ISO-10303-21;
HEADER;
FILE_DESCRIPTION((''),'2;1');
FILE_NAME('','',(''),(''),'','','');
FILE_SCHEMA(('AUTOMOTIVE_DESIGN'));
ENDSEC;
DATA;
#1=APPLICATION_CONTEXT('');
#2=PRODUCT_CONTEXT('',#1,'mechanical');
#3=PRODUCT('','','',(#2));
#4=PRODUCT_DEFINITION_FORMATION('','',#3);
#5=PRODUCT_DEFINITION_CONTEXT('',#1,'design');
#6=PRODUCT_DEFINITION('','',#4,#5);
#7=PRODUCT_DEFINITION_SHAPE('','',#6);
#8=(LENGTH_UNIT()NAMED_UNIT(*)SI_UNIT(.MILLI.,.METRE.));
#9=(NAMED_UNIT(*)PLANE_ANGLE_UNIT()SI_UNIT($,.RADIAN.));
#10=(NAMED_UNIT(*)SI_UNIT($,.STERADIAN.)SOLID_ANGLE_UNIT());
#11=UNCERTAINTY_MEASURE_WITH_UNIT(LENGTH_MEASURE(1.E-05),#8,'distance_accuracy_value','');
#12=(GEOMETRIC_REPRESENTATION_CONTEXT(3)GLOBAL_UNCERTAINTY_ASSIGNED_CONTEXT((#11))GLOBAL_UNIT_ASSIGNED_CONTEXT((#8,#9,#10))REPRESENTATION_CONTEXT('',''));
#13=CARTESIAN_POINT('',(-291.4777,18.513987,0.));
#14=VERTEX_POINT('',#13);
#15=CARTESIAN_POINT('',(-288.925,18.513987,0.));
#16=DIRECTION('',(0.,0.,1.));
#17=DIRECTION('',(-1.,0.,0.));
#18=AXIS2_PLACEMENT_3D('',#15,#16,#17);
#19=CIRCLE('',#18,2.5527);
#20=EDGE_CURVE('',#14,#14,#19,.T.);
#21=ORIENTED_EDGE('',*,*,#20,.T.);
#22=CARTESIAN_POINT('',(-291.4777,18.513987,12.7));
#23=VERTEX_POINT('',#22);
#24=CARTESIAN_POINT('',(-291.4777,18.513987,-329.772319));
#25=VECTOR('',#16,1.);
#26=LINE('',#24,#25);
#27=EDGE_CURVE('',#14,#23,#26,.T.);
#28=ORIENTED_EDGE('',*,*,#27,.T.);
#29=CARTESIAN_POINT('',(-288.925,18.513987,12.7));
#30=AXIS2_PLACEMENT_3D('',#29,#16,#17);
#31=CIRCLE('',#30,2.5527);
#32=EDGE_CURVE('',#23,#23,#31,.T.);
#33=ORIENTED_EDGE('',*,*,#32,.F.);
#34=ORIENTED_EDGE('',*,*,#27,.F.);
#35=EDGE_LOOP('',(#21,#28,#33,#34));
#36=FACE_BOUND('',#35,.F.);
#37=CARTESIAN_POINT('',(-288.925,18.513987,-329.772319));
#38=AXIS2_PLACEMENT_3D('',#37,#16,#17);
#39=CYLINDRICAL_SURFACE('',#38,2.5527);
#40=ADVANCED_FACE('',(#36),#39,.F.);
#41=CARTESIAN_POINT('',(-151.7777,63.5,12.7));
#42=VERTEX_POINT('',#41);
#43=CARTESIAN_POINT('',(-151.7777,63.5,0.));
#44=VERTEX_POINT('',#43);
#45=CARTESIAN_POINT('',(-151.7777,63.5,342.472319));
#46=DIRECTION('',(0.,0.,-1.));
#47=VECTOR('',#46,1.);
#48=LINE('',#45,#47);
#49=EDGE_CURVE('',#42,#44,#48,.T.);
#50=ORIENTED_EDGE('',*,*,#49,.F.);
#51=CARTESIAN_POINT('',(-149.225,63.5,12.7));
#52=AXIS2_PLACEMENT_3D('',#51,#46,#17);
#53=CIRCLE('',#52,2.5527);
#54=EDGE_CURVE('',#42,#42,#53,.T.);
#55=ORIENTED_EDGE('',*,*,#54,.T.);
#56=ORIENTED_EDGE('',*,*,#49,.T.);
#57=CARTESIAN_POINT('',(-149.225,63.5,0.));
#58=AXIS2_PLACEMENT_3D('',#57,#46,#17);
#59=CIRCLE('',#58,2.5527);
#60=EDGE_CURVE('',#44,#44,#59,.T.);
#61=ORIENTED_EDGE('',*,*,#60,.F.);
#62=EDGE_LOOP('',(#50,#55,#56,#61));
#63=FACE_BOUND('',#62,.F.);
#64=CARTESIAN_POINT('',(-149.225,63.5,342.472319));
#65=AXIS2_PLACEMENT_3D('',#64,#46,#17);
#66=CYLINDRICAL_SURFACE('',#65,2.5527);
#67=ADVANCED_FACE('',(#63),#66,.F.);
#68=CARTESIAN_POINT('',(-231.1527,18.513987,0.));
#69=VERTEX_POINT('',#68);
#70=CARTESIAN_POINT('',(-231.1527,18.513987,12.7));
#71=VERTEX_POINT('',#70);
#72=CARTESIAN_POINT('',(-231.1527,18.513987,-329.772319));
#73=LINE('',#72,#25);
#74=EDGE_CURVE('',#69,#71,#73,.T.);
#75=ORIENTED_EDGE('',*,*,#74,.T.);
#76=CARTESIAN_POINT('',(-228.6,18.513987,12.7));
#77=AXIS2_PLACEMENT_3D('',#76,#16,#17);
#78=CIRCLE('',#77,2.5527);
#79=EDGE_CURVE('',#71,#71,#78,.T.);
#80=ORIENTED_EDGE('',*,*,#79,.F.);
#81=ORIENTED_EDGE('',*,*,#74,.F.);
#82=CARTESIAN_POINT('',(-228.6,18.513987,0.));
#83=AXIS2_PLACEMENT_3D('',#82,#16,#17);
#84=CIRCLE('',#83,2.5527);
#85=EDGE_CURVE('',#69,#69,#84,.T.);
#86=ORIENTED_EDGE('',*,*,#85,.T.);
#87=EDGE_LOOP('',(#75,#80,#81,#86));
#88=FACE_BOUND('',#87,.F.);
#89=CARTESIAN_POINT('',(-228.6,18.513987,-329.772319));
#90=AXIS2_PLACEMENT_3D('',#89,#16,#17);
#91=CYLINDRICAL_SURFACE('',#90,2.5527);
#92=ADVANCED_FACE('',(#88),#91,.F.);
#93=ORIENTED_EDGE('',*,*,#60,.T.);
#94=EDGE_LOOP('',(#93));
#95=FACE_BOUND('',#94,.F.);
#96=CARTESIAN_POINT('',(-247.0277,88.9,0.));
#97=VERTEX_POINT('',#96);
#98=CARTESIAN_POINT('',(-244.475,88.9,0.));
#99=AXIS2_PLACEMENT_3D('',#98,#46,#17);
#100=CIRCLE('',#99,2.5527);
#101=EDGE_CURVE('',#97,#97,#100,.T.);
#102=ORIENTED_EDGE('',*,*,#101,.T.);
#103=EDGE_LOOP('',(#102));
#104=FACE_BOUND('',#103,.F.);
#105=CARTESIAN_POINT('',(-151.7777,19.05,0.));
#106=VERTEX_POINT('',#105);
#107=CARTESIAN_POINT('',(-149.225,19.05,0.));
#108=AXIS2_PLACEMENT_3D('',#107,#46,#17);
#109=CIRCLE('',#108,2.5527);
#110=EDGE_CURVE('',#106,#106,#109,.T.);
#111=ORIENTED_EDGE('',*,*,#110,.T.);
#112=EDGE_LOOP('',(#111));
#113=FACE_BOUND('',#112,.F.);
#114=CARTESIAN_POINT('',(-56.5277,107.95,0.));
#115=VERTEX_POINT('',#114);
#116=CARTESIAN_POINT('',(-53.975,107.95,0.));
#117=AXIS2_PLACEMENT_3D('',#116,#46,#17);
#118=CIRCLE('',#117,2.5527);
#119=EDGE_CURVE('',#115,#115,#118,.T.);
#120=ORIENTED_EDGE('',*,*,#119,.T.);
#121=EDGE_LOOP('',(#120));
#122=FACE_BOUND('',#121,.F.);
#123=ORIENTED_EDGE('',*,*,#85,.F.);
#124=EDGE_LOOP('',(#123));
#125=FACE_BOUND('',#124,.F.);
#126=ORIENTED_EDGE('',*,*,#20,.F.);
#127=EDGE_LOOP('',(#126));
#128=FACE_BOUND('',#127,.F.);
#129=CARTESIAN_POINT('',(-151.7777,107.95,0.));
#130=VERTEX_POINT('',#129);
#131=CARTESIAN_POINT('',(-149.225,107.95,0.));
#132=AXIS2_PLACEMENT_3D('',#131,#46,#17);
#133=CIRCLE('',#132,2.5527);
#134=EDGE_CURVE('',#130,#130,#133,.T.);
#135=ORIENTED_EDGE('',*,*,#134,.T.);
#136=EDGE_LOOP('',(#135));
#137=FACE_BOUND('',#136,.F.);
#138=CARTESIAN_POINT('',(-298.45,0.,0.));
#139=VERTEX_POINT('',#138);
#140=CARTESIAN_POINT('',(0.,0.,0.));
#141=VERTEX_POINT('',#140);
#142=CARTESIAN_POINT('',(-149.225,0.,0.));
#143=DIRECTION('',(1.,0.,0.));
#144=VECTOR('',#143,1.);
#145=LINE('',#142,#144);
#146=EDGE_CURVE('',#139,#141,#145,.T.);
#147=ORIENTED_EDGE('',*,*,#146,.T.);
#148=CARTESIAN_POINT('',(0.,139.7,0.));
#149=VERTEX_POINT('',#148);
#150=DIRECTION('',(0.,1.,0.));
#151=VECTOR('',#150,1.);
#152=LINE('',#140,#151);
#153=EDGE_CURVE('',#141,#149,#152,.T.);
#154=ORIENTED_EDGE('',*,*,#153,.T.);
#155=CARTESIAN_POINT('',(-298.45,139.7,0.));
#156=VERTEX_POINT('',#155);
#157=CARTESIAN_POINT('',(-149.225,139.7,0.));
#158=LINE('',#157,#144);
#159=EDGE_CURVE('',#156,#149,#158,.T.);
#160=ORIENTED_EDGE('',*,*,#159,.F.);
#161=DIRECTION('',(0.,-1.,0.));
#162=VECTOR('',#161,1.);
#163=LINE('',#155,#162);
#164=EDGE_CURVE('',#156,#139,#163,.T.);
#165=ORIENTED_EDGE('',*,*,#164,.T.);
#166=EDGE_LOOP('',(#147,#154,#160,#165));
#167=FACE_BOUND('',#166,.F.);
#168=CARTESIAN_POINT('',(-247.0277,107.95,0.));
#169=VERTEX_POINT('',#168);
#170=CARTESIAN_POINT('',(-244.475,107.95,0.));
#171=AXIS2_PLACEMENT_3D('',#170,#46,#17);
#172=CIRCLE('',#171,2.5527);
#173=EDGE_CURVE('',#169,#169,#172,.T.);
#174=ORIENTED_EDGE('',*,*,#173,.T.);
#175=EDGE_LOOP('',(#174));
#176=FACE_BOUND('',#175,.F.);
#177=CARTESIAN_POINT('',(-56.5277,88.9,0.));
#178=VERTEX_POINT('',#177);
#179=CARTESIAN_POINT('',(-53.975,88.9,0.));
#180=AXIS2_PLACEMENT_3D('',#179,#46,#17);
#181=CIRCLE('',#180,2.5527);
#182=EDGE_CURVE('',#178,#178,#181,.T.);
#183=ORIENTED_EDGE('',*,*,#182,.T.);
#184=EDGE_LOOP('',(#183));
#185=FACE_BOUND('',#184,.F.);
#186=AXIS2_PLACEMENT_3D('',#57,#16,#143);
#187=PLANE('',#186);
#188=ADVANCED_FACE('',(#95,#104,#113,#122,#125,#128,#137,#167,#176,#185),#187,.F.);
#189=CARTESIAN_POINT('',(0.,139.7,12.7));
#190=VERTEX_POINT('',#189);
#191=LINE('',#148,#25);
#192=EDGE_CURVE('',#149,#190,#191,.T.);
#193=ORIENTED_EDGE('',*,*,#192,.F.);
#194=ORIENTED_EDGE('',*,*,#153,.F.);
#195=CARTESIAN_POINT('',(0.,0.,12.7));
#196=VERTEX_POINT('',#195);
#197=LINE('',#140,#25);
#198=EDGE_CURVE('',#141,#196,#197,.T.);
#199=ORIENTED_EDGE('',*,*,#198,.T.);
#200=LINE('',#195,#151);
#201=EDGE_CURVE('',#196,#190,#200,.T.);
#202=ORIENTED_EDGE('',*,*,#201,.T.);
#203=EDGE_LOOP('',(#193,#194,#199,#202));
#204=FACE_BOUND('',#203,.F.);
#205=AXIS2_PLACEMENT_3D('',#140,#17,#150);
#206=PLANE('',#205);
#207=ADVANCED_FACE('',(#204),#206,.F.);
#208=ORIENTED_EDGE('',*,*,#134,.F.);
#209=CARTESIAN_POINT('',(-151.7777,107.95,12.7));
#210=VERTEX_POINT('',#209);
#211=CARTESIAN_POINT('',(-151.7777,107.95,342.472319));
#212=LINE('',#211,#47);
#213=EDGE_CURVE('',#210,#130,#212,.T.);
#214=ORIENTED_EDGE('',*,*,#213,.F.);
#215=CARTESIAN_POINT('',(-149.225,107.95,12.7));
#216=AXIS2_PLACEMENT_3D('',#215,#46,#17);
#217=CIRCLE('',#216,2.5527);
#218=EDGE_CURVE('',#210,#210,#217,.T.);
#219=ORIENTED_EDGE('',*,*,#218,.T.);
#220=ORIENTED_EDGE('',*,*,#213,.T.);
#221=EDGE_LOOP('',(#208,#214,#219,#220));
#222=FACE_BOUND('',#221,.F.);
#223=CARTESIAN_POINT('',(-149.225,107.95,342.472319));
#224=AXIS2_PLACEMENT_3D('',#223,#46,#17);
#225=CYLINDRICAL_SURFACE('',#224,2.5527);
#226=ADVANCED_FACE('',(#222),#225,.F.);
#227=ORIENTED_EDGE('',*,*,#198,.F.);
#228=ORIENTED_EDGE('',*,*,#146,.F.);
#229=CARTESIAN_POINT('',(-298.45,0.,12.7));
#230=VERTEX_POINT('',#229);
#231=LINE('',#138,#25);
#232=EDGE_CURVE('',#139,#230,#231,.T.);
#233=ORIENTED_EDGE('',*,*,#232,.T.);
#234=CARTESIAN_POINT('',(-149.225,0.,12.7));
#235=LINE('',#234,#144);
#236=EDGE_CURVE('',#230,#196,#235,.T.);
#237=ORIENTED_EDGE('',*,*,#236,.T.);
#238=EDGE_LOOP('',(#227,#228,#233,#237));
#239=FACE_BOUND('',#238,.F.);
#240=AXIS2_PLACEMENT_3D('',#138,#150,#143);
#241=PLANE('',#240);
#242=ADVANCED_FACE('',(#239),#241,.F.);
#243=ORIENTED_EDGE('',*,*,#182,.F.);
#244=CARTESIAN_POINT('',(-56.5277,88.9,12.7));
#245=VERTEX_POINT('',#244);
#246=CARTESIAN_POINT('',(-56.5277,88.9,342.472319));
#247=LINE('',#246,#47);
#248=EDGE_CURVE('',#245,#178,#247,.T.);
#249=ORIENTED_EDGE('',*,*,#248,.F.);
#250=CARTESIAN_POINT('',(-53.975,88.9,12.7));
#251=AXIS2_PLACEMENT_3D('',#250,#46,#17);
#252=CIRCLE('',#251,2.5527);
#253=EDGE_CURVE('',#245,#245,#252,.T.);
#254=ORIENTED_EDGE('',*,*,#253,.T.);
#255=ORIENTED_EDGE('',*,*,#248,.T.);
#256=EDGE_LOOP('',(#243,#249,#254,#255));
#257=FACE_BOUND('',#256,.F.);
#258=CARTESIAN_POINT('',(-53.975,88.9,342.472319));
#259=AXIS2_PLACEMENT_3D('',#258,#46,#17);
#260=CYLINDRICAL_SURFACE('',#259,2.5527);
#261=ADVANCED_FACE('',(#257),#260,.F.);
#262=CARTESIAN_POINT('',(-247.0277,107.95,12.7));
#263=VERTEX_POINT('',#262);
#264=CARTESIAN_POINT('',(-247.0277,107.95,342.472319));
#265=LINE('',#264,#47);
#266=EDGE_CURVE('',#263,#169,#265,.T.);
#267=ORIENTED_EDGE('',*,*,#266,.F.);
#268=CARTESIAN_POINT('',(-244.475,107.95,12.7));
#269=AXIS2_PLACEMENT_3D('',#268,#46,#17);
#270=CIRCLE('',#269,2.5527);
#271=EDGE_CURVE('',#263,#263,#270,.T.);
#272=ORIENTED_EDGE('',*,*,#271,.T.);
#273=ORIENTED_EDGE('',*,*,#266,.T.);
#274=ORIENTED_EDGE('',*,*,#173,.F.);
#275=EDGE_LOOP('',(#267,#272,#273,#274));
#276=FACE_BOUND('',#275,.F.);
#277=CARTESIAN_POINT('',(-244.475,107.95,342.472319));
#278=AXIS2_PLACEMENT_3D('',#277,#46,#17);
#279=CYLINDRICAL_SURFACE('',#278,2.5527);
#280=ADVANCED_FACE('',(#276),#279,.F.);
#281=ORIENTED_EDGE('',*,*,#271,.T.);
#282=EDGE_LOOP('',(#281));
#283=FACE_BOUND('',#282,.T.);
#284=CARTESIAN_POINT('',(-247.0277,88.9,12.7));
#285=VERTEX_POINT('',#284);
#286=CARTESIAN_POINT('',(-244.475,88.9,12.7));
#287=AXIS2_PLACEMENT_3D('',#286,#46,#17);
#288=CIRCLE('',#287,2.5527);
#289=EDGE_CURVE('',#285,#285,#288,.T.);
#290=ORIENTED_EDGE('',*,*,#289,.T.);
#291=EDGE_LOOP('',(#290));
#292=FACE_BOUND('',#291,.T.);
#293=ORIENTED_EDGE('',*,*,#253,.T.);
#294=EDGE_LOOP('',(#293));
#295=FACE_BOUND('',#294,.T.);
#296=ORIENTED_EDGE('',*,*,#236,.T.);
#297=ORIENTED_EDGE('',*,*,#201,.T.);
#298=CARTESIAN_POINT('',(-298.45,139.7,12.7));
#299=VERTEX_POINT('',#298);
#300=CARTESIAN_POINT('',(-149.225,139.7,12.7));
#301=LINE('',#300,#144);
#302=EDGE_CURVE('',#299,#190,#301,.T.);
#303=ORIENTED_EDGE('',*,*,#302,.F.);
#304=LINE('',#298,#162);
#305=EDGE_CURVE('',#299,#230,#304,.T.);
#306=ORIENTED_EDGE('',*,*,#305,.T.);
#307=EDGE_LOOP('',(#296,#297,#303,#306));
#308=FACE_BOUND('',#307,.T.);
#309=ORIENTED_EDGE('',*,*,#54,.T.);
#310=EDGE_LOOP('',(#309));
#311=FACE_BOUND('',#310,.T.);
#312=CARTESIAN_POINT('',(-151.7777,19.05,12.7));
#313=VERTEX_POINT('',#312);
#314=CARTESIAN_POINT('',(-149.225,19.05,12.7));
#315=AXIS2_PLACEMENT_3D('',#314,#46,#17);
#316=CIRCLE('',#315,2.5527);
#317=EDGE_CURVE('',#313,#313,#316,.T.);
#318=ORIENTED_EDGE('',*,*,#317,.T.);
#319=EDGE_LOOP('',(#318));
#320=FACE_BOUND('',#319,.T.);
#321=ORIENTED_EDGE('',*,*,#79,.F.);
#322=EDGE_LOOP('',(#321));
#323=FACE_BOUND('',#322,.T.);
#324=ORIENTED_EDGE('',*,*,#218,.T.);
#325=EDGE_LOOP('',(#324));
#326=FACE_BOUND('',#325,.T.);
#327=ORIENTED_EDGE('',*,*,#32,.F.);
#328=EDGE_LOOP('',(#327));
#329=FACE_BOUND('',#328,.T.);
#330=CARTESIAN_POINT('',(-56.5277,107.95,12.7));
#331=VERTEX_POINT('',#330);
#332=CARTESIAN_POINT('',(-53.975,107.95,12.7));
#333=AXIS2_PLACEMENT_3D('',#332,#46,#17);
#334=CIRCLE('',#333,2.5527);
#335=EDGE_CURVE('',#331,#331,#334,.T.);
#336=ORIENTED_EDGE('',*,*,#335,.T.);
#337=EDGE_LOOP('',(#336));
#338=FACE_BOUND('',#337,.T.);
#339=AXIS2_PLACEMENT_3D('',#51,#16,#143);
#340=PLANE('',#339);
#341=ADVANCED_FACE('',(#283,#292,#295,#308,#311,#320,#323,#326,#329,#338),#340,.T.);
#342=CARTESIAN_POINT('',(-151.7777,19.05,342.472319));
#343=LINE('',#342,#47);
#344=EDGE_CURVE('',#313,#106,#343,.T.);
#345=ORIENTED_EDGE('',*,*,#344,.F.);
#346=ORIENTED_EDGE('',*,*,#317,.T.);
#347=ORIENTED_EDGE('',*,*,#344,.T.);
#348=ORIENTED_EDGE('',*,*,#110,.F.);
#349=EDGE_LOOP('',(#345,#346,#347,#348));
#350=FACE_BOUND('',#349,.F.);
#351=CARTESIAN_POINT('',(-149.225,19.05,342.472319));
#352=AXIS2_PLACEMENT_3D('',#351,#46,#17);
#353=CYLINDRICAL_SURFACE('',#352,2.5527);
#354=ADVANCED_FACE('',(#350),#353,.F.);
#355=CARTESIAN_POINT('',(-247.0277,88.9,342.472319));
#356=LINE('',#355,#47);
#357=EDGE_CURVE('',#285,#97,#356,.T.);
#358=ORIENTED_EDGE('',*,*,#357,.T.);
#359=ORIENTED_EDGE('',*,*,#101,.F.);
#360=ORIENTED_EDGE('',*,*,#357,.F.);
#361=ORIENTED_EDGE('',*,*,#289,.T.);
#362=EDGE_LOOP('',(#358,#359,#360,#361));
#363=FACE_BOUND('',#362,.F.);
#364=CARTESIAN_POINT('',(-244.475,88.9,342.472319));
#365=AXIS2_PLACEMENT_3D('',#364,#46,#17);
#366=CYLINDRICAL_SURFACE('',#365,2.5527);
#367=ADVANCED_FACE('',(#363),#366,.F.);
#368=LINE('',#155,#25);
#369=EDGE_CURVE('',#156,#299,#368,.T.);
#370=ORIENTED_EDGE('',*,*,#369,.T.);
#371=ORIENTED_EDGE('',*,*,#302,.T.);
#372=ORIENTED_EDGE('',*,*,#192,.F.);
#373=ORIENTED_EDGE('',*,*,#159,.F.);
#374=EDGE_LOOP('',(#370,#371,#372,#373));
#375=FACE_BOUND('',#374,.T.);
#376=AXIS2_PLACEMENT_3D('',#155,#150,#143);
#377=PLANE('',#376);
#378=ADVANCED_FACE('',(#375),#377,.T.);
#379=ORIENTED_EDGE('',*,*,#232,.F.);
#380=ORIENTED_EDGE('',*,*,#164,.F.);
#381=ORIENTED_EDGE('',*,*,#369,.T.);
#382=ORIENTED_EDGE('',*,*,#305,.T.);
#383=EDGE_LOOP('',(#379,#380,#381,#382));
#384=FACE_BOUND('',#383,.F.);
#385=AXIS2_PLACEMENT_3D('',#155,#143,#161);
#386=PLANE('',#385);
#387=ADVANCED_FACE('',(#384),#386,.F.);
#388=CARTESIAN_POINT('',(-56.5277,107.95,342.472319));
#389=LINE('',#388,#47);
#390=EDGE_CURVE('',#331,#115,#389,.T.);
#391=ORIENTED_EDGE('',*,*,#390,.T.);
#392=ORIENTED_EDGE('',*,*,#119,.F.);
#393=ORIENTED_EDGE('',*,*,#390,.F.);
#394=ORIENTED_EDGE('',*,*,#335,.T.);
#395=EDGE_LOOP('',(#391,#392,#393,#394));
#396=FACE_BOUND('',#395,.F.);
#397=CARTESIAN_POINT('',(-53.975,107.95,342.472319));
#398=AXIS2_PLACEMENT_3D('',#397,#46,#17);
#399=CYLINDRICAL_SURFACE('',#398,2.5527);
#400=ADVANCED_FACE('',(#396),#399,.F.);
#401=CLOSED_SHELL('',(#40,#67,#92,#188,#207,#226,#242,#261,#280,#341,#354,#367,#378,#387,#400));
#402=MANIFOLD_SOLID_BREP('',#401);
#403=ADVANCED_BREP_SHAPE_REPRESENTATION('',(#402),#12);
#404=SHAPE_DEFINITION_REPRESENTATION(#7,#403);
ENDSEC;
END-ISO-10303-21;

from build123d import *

# Parameters (mm, degrees)
F0_W     = 298.45
F0_H     = 127
F0_H_2   = 12.7
F1_DEPTH = 12.7
F3_D     = 5.1054
F5_D     = 5.1054
F7_D     = 5.1054


with BuildPart() as f1:
    # F0 (on Top) → F1 (new body)
    with BuildSketch(Plane.XY):
        with Locations((-149.225, 63.5)):
            Rectangle(F0_W, F0_H)
        with Locations((-149.225, 133.35)):
            Rectangle(F0_W, F0_H_2)
    extrude(amount=F1_DEPTH)

    # F3 (through all)
    with Locations(Plane.XY.offset(12.7)):
        with Locations((-149.225, 107.95), (-149.225, 63.5), (-149.225, 19.05)):
            Hole(F3_D / 2)

    # F5 (through all)
    with Locations(Plane.XY.offset(12.7)):
        with Locations((-53.975, 88.9), (-53.975, 107.95), (-244.475, 88.9), (-244.475, 107.95)):
            Hole(F5_D / 2)

    # F7 (through all)
    with Locations(Plane(origin=(0, 0, 0), x_dir=(1, 0, 0), z_dir=(0, 0, -1))):
        with Locations((-288.925, -18.5139868408), (-228.6, -18.5139868408)):
            Hole(F7_D / 2)


solid = f1.part
